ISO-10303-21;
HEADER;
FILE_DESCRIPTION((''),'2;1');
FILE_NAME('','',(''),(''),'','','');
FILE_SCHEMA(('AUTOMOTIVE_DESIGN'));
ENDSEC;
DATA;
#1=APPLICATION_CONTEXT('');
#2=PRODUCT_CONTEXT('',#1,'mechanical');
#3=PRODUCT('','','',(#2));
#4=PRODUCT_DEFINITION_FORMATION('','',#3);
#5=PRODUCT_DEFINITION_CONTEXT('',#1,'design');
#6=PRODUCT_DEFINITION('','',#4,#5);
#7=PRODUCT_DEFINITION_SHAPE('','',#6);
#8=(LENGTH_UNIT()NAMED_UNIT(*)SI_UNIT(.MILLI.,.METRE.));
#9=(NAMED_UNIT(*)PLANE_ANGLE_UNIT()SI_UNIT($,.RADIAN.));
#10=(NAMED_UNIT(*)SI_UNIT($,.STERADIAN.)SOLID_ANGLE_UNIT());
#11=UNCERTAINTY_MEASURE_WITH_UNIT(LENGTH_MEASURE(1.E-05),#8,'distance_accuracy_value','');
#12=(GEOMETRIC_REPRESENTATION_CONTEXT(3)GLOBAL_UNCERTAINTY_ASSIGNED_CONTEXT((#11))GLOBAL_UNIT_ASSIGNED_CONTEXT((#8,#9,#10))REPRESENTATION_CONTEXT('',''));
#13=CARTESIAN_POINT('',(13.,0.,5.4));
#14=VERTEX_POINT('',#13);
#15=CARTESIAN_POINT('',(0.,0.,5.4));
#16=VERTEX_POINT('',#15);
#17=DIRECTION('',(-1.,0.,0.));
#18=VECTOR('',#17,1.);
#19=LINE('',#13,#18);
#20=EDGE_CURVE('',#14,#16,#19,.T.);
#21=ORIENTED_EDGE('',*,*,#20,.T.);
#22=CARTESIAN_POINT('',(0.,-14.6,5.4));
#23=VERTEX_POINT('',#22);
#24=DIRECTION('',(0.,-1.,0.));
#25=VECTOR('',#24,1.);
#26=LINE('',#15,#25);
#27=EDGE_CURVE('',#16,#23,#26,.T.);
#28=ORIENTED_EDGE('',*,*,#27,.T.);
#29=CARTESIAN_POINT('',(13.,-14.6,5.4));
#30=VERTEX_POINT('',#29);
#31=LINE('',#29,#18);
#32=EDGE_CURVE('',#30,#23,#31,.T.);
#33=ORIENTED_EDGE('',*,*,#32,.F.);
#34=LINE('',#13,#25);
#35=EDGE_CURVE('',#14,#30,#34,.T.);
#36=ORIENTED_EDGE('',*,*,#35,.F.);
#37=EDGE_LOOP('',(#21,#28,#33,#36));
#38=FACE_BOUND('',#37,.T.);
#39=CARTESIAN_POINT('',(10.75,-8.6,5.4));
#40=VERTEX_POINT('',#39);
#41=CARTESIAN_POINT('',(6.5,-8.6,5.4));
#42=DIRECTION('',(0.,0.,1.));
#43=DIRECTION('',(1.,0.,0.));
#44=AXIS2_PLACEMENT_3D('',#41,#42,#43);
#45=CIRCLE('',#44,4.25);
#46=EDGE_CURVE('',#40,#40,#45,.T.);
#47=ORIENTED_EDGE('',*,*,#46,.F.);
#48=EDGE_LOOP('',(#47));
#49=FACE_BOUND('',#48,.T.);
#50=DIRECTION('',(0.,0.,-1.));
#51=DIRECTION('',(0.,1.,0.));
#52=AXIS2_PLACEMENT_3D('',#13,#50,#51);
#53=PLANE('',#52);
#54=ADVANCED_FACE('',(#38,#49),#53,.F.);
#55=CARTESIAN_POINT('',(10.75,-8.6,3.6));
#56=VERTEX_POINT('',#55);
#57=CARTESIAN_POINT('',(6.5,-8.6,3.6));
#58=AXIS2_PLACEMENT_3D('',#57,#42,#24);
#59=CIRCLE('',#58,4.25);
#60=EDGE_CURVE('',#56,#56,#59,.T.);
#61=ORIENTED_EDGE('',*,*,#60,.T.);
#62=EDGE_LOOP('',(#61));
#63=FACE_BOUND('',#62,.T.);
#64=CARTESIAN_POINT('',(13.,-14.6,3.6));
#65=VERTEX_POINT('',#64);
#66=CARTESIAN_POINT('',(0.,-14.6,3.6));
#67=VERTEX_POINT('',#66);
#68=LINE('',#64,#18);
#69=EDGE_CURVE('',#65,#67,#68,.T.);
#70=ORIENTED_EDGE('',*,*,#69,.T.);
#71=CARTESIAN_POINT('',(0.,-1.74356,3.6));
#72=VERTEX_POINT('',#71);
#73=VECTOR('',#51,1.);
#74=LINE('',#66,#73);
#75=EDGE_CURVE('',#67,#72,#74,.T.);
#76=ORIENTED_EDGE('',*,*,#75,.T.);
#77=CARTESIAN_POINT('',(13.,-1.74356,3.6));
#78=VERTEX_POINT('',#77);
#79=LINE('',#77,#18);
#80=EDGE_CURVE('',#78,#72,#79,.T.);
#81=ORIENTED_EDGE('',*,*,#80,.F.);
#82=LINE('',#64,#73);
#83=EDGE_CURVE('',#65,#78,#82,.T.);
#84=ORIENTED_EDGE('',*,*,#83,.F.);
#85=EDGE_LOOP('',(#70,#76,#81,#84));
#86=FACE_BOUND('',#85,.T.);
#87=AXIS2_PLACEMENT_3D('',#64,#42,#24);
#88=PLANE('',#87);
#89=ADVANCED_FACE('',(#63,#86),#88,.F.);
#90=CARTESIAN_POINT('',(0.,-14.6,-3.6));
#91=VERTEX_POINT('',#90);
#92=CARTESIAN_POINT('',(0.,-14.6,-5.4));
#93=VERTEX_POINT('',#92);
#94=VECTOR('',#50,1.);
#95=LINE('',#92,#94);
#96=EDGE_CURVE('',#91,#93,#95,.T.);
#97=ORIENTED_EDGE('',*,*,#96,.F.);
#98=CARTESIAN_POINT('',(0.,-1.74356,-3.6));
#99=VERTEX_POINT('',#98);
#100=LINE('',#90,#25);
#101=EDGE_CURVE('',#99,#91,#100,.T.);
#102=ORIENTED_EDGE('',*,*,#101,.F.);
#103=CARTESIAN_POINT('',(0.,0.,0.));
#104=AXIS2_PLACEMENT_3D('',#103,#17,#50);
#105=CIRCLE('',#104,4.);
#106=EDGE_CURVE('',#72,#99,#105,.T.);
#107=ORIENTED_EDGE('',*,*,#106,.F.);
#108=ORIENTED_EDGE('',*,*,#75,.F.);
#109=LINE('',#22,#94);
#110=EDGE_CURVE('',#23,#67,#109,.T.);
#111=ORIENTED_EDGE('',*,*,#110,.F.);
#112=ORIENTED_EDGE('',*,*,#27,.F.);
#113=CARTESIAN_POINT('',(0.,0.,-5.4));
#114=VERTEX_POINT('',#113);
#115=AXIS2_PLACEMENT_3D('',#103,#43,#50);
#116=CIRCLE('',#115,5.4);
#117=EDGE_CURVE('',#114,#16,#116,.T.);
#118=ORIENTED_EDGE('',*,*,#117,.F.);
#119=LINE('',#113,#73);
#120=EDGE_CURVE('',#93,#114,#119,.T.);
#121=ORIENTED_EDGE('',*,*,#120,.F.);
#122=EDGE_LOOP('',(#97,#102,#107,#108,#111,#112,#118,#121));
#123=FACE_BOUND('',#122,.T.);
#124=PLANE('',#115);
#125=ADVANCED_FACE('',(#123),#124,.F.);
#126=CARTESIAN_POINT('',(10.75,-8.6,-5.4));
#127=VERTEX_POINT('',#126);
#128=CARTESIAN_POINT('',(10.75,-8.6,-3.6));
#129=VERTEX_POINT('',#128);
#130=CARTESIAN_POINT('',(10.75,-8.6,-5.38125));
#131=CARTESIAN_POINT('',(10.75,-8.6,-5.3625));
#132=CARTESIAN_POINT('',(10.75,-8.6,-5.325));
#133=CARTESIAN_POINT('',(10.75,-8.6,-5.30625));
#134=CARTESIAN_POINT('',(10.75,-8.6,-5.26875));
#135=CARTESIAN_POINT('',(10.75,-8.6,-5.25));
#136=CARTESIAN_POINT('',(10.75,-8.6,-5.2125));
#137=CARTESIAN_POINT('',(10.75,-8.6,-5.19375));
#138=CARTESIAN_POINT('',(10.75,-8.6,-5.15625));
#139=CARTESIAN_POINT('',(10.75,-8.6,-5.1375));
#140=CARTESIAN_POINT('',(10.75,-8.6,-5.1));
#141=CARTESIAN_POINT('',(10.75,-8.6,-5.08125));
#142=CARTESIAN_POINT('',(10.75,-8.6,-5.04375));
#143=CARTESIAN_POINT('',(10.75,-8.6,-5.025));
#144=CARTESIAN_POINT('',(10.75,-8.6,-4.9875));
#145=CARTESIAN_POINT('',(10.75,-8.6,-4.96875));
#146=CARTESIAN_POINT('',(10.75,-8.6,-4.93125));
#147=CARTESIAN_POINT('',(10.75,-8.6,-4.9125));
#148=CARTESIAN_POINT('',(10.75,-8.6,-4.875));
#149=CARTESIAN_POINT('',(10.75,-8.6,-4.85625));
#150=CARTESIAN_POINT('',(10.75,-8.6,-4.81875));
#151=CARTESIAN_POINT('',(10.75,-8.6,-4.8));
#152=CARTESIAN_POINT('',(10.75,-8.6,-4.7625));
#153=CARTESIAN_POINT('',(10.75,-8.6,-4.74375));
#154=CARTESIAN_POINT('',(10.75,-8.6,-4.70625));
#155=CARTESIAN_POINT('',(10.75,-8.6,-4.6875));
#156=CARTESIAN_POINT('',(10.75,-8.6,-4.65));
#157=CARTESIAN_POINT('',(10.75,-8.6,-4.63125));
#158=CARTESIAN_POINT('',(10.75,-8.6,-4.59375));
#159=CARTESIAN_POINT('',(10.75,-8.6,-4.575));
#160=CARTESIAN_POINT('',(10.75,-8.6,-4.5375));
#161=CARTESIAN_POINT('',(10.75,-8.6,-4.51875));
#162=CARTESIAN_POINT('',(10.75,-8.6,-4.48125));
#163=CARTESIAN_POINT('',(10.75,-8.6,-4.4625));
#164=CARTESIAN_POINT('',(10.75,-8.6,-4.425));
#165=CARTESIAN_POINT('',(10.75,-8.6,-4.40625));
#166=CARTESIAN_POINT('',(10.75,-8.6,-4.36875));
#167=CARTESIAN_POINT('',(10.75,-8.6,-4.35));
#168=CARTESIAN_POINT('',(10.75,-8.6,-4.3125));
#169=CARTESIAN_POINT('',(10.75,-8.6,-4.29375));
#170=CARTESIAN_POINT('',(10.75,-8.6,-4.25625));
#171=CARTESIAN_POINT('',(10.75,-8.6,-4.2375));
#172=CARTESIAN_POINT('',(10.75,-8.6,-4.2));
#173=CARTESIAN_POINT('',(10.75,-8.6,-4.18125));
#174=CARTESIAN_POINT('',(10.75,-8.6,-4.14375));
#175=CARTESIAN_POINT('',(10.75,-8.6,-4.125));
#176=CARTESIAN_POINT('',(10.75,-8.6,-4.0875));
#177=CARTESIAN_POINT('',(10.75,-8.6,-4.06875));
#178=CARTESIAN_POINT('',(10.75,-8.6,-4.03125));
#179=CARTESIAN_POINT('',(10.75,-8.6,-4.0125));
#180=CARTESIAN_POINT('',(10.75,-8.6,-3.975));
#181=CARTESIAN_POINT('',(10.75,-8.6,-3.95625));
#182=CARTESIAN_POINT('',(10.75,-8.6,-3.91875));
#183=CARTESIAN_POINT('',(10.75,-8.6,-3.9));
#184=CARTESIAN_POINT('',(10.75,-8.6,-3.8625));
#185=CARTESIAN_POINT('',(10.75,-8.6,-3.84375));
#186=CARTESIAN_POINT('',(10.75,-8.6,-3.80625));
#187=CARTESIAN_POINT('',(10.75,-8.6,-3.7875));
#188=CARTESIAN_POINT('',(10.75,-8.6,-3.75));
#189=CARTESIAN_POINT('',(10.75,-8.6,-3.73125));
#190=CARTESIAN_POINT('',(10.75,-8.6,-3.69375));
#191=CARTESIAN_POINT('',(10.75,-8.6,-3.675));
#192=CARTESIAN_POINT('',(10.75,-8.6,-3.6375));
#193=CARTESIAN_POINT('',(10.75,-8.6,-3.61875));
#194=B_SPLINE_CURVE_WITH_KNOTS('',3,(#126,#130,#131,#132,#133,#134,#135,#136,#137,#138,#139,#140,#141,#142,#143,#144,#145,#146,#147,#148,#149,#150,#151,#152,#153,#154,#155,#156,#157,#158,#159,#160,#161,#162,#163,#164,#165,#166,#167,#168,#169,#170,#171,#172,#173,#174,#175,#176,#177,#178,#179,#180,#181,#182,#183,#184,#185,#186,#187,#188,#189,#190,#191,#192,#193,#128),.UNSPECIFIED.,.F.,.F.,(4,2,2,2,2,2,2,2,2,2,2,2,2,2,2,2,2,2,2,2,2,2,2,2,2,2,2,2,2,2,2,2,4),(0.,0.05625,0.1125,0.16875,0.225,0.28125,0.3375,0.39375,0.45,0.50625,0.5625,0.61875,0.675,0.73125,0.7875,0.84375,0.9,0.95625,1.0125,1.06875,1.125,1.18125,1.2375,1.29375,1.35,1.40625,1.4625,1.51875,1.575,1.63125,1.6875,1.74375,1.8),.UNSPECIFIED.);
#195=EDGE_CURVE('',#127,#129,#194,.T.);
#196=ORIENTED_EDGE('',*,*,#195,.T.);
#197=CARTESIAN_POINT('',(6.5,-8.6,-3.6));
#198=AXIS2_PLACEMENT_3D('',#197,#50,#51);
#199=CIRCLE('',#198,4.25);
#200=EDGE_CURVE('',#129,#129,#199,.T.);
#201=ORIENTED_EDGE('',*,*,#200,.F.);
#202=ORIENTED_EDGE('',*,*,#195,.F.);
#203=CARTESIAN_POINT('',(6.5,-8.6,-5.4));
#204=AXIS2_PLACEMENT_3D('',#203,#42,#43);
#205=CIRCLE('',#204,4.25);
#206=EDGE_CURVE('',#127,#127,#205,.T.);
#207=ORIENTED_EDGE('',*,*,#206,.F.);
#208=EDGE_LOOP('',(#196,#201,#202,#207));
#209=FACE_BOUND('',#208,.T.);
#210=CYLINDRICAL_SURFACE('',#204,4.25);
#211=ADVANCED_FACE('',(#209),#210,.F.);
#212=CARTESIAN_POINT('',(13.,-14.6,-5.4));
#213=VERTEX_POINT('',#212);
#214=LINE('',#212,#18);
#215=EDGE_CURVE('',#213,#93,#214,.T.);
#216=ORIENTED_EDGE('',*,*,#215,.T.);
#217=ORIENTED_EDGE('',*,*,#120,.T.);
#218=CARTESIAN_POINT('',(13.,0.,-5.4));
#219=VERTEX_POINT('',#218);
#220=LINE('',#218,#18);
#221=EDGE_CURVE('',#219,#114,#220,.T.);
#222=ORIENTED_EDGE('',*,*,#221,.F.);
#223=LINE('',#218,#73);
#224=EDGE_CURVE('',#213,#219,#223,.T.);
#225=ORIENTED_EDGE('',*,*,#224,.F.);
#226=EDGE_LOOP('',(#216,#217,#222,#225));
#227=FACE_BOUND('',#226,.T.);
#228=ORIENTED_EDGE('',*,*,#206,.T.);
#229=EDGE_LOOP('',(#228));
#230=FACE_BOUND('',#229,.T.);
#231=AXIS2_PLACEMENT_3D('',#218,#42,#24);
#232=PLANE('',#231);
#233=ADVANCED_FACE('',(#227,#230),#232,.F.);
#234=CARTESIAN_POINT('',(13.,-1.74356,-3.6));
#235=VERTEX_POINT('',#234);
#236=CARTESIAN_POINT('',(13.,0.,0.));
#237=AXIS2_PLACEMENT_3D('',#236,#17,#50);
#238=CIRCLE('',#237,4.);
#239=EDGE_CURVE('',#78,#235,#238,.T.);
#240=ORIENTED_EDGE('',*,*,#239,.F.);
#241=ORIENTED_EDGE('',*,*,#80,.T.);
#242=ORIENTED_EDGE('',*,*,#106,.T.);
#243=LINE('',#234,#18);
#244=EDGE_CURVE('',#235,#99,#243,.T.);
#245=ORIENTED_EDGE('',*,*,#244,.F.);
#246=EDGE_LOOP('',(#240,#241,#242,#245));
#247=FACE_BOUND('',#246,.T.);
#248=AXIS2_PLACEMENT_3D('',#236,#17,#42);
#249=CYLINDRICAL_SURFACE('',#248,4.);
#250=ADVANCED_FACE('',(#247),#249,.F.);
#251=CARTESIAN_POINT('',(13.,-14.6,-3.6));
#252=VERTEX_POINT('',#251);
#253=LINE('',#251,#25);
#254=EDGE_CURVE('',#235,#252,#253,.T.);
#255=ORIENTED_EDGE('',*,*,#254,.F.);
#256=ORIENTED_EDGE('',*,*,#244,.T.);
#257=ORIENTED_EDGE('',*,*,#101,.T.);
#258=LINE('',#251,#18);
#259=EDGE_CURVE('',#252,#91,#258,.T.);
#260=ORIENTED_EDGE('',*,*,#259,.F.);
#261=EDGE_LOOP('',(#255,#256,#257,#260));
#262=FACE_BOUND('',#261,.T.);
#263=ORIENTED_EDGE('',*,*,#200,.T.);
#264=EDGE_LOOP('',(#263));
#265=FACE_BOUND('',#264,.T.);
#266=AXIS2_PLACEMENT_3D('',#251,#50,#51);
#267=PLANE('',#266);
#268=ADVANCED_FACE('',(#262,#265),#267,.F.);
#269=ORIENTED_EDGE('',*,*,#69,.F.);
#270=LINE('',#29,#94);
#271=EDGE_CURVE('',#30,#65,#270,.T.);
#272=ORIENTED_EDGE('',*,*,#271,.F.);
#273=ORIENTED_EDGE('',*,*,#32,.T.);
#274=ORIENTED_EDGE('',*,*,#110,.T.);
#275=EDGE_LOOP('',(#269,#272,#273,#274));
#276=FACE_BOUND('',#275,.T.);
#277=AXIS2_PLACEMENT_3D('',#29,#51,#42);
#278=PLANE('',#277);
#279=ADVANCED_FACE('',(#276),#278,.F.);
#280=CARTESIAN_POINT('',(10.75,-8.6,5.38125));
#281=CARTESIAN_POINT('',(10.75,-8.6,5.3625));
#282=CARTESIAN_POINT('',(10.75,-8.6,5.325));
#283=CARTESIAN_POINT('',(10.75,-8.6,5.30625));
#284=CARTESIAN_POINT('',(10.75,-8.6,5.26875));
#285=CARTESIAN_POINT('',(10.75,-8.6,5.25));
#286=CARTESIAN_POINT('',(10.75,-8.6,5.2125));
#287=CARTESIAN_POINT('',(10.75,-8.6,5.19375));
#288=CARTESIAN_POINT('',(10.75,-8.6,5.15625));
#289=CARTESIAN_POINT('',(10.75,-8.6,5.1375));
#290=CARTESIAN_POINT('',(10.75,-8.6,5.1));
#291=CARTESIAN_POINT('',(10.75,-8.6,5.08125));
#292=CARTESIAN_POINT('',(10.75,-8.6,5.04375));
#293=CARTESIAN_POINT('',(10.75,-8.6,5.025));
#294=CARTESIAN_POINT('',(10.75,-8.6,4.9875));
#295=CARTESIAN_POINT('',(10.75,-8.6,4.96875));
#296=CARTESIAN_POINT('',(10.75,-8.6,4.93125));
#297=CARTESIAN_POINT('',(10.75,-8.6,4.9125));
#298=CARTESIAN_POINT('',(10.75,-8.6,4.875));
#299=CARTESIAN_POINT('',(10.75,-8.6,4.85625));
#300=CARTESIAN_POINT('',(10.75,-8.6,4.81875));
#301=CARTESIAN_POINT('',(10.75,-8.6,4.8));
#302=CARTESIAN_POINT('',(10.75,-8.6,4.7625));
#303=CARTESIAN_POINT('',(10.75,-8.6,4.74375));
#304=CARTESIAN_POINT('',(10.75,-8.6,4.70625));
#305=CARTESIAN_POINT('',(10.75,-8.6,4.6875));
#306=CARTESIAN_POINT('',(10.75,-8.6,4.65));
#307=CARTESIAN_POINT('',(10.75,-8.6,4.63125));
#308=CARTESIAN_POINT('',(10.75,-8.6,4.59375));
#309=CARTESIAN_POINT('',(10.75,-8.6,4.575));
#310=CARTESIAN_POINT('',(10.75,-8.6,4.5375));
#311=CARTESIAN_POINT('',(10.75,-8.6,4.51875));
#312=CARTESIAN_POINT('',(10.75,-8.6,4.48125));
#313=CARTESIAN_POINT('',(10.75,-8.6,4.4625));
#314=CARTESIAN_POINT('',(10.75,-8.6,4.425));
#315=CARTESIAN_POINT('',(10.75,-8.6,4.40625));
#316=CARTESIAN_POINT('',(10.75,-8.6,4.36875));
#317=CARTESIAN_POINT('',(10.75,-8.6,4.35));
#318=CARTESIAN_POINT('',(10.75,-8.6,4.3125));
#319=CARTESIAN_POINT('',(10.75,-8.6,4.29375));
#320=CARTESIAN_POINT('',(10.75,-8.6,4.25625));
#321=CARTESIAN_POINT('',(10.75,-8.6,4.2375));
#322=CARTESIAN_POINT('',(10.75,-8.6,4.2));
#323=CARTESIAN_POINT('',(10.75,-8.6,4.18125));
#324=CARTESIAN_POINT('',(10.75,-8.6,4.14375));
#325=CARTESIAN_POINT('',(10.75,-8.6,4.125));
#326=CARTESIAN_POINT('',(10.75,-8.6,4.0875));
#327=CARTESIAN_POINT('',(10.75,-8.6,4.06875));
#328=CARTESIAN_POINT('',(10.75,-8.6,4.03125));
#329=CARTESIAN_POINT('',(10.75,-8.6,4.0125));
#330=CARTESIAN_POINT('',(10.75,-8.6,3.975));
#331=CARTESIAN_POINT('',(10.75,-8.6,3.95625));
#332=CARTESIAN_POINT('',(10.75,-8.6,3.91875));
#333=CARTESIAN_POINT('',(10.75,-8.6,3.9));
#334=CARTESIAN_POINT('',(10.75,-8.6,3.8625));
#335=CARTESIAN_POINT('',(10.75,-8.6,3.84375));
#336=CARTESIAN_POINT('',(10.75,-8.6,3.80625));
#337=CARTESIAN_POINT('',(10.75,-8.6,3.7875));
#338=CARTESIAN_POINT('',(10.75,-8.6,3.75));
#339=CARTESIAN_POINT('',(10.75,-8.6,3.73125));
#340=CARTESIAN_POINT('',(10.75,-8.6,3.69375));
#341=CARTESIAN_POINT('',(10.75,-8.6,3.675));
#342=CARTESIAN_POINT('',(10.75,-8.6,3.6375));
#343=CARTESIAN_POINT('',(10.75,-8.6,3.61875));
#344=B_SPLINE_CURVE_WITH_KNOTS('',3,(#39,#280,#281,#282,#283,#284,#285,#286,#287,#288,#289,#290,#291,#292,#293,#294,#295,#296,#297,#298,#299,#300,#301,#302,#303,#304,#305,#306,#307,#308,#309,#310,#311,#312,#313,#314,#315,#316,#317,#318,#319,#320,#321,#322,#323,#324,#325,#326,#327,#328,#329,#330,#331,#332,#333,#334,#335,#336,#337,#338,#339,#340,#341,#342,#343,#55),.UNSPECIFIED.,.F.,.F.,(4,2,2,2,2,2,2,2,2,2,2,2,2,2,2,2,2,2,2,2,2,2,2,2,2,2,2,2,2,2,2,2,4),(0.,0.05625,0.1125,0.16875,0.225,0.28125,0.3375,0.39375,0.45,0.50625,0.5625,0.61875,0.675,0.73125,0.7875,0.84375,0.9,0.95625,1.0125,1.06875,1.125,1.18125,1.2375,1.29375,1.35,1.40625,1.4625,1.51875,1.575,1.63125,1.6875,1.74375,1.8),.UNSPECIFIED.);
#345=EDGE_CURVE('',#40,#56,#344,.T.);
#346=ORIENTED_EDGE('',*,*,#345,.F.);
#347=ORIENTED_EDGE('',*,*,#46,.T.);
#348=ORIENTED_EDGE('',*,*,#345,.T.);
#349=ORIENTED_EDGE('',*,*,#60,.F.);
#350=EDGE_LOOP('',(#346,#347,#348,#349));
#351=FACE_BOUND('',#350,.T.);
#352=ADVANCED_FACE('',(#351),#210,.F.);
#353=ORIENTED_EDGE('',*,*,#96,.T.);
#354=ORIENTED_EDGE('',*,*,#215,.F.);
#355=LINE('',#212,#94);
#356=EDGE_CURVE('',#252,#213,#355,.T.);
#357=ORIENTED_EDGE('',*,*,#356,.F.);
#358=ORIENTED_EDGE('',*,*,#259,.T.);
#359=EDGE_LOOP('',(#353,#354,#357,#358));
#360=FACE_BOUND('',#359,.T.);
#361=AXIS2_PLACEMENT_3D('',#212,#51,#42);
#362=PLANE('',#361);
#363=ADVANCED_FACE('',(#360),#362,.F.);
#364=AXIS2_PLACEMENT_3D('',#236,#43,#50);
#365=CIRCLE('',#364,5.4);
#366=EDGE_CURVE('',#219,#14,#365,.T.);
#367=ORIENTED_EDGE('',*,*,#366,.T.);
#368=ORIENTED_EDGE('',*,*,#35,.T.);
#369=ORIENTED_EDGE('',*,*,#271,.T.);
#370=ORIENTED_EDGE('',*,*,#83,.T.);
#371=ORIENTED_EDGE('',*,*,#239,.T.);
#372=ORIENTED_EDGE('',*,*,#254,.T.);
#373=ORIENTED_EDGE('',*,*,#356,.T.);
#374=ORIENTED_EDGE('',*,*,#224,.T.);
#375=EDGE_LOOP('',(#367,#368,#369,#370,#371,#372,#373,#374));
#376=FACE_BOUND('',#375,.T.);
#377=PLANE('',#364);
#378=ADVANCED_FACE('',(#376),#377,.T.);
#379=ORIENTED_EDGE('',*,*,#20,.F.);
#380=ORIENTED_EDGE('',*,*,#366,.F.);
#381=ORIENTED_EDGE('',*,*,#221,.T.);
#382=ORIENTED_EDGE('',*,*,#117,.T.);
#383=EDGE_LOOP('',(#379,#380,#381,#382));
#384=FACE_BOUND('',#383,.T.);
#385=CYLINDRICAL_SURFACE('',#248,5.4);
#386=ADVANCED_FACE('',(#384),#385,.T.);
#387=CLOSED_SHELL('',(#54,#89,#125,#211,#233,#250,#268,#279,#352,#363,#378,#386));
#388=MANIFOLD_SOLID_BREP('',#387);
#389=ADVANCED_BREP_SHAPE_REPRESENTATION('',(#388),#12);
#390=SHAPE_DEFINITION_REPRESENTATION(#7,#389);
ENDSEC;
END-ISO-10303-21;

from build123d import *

# Parameters (mm, degrees)
BOSS_EXTRUDE1_DEPTH = 13
SKETCH2_R           = 4.25
CUT_EXTRUDE1_DEPTH  = 23.33383084


with BuildPart() as part:
    # Sketch1 → Boss-Extrude1 (new body)
    with BuildSketch(Plane(origin=(0, 0, 0), x_dir=(0, 0, -1), z_dir=(1, 0, 0))):
        with BuildLine():
            Line((5.4, 0), (5.4, -14.6))
            Line((5.4, -14.6), (3.6, -14.6))
            Line((3.6, -14.6), (3.6, -1.743559577))
            ThreePointArc((3.6, -1.743559577), (0, 4), (-3.6, -1.743559577))
            Line((-3.6, -1.743559577), (-3.6, -14.6))
            Line((-3.6, -14.6), (-5.4, -14.6))
            Line((-5.4, -14.6), (-5.4, 0))
            ThreePointArc((-5.4, 0), (0, 5.4), (5.4, 0))
        make_face()
    extrude(amount=BOSS_EXTRUDE1_DEPTH)

    # Sketch2 → Cut-Extrude1 (cut, through all)
    with BuildSketch(Plane.XY.offset(5.4)):
        with Locations((6.5, -8.6)):
            Circle(SKETCH2_R)
    extrude(amount=-CUT_EXTRUDE1_DEPTH, mode=Mode.SUBTRACT)


solid = part.part
